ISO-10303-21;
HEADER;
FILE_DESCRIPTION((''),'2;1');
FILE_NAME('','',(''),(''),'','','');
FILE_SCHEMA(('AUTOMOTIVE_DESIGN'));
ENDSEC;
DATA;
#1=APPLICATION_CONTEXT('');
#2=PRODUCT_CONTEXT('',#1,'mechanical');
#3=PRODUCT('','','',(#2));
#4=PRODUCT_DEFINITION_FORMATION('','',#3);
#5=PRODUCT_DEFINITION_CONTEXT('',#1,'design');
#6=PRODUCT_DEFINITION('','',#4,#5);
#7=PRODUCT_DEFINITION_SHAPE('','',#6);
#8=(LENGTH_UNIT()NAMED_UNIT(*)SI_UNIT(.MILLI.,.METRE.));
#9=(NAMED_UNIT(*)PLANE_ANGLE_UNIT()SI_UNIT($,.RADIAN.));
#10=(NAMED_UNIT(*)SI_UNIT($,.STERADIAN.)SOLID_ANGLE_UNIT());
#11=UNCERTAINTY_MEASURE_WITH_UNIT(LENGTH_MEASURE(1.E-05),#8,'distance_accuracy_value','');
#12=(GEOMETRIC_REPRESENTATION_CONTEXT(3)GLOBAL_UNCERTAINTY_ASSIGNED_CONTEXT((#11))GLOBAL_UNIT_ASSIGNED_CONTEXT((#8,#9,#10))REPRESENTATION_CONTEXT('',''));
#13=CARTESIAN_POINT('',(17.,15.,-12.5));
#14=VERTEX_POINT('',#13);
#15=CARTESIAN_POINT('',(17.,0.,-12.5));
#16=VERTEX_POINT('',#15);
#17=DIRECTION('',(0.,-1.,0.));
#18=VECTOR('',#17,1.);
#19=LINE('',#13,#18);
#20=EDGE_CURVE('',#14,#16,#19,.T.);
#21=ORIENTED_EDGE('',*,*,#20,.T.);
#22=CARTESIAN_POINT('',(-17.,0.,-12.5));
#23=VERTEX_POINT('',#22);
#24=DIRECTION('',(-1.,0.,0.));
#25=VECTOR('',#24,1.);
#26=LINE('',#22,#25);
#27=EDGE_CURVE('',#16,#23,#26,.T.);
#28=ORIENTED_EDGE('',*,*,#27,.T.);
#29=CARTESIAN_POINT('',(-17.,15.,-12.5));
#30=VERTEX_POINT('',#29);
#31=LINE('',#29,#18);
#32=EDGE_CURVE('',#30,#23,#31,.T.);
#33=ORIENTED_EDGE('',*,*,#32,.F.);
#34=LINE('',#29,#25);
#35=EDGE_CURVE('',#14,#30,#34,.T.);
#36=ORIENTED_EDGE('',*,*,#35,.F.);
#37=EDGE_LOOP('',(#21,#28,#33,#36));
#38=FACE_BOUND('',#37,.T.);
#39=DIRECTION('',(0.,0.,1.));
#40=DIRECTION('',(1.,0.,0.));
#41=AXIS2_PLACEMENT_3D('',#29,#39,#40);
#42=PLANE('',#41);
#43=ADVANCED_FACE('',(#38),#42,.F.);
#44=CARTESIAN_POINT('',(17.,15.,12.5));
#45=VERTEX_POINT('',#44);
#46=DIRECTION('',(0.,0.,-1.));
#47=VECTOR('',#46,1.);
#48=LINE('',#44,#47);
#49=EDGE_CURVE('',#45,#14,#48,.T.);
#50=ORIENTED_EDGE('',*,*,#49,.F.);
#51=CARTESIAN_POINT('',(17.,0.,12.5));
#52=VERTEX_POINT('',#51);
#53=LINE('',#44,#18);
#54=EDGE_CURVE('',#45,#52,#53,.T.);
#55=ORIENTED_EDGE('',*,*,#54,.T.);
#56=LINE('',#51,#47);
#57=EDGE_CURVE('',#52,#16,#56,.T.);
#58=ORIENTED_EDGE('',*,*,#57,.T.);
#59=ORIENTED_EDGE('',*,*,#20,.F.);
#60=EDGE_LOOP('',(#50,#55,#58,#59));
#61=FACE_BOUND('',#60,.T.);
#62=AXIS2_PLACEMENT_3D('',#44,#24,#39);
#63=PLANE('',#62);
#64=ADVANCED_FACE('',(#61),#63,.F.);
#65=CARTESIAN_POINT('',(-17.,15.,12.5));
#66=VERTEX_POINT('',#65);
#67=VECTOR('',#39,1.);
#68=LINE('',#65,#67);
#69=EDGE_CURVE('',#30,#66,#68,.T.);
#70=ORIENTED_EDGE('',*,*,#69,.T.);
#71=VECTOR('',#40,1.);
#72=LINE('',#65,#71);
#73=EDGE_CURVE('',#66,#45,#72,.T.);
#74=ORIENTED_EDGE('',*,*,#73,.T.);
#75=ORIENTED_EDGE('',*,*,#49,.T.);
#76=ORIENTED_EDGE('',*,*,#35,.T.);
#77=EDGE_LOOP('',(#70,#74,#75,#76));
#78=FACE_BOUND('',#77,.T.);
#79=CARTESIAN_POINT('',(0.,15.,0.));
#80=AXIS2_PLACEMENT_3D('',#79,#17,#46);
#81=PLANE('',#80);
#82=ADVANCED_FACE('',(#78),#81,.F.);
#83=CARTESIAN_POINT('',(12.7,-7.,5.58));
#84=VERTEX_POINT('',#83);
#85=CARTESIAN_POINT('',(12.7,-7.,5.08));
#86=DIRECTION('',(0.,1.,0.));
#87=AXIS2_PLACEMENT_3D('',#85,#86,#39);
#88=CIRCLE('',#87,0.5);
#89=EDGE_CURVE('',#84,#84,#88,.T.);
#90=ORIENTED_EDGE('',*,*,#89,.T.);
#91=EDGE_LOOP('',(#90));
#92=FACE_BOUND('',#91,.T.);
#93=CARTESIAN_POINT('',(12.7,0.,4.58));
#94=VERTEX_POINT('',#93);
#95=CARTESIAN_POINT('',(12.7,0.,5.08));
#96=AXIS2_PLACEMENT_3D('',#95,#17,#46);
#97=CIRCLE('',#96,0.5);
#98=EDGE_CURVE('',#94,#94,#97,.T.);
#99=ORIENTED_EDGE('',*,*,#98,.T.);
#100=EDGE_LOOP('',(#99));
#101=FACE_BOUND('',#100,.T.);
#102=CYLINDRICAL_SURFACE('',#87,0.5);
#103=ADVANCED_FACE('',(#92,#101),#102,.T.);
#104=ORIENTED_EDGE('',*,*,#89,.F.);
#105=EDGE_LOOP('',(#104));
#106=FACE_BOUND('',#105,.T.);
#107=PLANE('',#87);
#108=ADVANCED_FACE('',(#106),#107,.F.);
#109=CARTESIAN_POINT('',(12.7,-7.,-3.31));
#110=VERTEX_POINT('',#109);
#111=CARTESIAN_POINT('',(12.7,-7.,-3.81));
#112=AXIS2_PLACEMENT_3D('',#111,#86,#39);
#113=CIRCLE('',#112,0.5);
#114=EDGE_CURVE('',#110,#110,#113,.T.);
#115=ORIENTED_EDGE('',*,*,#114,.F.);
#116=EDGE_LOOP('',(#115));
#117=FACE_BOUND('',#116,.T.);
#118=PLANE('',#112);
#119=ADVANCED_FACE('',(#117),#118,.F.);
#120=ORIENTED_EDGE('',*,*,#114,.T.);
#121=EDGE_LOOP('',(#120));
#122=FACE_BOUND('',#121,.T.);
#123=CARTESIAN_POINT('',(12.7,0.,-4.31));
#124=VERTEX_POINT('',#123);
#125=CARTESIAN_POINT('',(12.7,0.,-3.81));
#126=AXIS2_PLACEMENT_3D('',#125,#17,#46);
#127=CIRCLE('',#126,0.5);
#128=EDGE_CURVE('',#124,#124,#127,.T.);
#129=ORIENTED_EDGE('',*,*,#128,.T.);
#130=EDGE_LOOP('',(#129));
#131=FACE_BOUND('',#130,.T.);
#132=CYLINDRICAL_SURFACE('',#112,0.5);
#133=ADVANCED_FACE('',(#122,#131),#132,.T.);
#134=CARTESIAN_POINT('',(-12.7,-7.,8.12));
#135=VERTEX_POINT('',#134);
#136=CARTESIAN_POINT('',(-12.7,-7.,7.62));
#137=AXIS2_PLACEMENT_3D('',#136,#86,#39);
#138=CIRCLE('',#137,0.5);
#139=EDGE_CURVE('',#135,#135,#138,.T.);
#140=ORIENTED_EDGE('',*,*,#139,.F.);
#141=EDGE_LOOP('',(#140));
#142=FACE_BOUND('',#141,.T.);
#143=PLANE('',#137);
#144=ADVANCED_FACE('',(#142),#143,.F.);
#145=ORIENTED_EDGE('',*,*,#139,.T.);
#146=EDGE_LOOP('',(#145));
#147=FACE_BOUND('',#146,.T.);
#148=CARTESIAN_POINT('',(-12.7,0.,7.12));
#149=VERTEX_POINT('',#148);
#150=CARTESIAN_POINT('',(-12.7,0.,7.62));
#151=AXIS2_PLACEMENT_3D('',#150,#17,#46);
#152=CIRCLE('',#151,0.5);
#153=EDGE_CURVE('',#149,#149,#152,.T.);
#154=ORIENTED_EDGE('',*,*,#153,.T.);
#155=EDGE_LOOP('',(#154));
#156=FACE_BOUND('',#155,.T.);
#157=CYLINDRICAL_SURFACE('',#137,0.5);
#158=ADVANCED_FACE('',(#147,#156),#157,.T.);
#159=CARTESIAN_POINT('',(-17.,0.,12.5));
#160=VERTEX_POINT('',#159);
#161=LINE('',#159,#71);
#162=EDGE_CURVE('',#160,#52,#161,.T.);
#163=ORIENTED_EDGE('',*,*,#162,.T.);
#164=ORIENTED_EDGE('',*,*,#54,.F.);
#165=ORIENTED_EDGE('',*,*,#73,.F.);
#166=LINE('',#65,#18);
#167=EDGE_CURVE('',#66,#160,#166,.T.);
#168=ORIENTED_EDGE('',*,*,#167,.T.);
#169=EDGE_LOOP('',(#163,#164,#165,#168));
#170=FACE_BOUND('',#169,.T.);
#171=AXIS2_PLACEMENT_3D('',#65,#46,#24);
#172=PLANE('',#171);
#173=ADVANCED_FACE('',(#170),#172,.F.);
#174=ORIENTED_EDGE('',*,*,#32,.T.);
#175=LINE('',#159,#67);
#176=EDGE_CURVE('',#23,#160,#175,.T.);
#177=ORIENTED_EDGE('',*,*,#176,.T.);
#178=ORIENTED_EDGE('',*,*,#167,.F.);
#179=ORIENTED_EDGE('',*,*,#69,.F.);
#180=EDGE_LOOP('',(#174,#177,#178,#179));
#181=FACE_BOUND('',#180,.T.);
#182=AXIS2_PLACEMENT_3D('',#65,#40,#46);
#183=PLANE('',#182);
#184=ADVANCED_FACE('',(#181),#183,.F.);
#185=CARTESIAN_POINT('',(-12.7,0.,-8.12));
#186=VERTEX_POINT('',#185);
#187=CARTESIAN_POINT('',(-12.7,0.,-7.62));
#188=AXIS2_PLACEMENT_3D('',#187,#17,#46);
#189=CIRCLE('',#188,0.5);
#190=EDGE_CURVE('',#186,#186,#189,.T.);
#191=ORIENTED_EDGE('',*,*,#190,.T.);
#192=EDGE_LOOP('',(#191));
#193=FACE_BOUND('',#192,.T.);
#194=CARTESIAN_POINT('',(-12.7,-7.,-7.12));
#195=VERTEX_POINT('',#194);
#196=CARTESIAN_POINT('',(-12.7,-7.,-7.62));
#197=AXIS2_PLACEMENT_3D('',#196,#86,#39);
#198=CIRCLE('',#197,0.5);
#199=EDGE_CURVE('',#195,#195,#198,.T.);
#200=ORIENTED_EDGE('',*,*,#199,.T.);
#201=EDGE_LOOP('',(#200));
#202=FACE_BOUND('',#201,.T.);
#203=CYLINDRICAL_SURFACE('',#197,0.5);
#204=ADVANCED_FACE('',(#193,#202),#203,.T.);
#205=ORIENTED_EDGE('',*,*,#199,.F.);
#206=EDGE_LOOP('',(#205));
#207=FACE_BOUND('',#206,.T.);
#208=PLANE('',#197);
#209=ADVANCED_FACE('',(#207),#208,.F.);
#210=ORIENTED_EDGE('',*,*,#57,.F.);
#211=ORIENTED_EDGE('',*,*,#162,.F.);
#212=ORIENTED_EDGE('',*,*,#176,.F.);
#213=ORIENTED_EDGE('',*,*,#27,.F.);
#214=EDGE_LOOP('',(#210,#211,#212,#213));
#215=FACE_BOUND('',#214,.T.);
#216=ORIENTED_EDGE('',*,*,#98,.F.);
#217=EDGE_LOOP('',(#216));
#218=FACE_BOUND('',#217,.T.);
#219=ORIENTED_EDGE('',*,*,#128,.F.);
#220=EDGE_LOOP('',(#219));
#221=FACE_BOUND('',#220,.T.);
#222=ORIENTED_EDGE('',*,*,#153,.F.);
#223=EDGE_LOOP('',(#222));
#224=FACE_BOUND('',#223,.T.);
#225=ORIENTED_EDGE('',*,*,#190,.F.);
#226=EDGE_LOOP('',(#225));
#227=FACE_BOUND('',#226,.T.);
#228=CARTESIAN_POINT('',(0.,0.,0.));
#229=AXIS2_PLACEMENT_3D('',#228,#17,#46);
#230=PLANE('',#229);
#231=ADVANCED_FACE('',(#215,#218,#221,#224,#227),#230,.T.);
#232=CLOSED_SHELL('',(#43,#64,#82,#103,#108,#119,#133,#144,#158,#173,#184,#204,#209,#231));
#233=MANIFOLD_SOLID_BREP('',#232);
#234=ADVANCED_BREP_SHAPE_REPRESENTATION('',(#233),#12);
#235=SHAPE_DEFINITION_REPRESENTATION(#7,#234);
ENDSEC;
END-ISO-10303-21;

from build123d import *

# Parameters (mm, degrees)
SKETCH_1_W      = 34
SKETCH_1_H      = 25
EXTRUDE_1_DEPTH = 15
SKETCH_2_R      = 0.5
EXTRUDE_2_DEPTH = 7


with BuildPart() as part:
    # 草图1 → 凸台-拉伸1 (new body)
    with BuildSketch(Plane(origin=(0, 0, 0), x_dir=(1, 0, 0), z_dir=(0, 1, 0))):
        Rectangle(SKETCH_1_W, SKETCH_1_H)
    extrude(amount=EXTRUDE_1_DEPTH)

    # 草图2 → 凸台-拉伸2 (add)
    with BuildSketch(Plane(origin=(0, 0, 0), x_dir=(1, 0, 0), z_dir=(0, 1, 0))):
        with Locations(Location((-12.7, 7.62, 0), (0, 0, 270))):
            Circle(SKETCH_2_R)
        with Locations(Location((-12.7, -7.62, 0), (0, 0, 270))):
            Circle(SKETCH_2_R)
        with Locations(Location((12.7, 3.81, 0), (0, 0, 270))):
            Circle(SKETCH_2_R)
        with Locations(Location((12.7, -5.08, 0), (0, 0, 270))):
            Circle(SKETCH_2_R)
    extrude(amount=-EXTRUDE_2_DEPTH)


solid = part.part
